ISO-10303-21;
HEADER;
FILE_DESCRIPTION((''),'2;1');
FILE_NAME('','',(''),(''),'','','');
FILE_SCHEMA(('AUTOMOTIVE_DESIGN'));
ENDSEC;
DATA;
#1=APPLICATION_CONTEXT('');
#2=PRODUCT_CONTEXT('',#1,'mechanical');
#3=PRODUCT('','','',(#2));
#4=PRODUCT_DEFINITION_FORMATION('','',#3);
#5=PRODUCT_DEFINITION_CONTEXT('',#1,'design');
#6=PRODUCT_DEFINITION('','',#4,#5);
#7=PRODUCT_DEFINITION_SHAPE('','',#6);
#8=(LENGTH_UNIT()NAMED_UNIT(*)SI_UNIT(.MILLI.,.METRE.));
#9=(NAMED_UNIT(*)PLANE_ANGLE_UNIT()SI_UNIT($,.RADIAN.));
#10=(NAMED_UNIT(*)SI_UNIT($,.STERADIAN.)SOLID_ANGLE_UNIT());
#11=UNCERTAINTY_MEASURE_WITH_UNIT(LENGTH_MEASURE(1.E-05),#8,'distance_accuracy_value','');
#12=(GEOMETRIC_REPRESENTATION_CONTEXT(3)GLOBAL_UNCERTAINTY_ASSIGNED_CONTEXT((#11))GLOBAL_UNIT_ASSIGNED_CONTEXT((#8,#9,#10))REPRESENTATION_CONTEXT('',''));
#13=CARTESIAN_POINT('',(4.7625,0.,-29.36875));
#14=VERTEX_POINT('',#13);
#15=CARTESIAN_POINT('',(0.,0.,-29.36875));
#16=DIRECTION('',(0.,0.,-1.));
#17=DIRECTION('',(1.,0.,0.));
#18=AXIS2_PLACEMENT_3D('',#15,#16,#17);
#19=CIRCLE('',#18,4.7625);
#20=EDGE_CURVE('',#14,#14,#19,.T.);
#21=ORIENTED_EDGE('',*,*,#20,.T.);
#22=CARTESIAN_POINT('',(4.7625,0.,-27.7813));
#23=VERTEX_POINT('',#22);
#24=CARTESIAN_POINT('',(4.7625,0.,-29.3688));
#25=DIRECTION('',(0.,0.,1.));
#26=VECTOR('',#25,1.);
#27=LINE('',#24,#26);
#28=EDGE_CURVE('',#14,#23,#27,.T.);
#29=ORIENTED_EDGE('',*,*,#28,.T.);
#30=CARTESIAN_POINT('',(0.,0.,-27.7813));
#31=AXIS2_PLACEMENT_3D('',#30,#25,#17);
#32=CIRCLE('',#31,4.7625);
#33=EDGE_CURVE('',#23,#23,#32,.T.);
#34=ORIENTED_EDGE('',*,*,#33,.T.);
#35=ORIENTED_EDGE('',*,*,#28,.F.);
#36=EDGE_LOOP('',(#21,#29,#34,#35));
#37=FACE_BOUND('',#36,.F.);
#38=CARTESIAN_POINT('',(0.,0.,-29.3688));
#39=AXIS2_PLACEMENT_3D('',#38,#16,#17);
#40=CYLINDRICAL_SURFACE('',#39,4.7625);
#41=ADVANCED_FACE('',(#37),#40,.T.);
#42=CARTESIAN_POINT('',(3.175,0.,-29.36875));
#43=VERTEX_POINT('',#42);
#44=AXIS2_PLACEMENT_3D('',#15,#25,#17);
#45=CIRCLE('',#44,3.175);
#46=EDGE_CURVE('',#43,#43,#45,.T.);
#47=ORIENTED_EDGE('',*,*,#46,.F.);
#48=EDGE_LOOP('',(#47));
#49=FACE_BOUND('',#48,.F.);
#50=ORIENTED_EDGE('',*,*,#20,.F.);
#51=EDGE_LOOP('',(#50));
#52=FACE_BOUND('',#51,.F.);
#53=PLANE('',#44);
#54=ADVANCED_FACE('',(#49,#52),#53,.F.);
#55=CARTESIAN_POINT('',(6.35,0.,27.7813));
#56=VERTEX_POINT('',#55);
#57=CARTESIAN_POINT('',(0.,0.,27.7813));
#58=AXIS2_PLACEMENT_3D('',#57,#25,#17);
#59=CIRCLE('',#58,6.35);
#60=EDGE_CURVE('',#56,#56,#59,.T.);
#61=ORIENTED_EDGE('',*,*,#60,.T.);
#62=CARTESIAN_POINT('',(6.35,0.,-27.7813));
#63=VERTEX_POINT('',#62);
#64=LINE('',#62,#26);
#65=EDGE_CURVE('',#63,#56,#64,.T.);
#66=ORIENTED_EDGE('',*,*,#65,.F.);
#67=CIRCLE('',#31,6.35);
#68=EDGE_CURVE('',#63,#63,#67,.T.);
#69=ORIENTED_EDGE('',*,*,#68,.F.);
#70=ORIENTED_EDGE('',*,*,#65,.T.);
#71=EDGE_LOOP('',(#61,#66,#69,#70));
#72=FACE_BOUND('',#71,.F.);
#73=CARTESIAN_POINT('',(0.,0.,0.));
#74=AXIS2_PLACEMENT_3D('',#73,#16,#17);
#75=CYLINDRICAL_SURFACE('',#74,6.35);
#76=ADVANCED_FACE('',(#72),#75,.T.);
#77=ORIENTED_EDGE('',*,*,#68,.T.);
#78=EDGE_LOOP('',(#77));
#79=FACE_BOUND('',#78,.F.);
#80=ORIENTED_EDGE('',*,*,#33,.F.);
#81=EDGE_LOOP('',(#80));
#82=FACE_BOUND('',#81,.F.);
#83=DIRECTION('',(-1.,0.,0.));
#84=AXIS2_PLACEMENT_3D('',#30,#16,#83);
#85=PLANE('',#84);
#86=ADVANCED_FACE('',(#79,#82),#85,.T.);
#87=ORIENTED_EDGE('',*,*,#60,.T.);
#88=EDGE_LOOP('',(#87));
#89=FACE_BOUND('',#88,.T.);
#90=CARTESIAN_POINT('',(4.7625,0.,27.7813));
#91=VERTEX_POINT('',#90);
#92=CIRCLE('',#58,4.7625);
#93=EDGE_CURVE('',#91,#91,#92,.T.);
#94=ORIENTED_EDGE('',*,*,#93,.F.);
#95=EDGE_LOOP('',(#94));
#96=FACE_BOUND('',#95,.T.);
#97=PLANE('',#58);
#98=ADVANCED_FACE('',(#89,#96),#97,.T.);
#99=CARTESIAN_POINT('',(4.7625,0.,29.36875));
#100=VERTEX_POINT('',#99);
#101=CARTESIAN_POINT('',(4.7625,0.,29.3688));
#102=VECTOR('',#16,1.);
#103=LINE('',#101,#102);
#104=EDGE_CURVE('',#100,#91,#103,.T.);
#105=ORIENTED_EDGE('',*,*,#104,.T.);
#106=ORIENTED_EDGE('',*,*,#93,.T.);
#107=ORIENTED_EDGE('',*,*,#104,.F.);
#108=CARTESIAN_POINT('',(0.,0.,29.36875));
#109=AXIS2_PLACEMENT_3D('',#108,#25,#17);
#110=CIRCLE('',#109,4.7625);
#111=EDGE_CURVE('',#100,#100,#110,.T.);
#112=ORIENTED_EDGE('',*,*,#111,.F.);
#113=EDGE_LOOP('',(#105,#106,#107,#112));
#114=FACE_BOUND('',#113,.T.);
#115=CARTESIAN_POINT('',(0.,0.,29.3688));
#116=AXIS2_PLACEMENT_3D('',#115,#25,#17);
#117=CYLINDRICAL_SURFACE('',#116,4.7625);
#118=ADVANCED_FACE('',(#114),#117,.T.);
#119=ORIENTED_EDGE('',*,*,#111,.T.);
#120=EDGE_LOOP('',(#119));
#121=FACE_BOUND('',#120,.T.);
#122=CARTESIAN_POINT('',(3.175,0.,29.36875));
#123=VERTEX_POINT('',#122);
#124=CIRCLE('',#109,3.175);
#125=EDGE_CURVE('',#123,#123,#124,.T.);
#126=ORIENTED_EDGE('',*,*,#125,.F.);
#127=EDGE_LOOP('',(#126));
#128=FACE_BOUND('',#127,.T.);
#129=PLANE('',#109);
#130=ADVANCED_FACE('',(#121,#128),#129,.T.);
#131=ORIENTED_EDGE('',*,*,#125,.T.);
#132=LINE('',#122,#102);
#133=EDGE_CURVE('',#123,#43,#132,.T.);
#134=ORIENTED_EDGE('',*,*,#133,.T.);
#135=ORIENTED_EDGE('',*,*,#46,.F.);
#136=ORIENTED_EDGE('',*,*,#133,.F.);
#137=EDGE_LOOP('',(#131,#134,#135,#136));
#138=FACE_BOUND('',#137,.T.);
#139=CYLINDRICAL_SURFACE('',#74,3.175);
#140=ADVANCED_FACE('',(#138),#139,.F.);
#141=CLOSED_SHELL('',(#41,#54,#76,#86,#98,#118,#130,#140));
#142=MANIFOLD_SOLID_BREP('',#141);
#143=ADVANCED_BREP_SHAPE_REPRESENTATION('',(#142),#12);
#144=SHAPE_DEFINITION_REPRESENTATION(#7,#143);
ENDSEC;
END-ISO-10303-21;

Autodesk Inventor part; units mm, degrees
ref_plane "YZ Plane" through (0, 0, 0) normal (1, 0, 0) x (0, 1, 0)
ref_plane "XZ Plane" through (0, 0, 0) normal (0, 1, 0) x (-1, 0, 0)
ref_plane "XY Plane" through (0, 0, 0) normal (0, 0, 1) x (1, 0, 0)
sketch "Sketch1" plane through (0, 0, 0) normal (0, 0, 1) x (1, 0, 0)
  circle A0 centre (0, 0) radius 6.35
  circle A1 centre (0, 0) radius 3.175
  dimension "d0" = 12.7
  dimension "d13" = 3.175
extrude "Base" add sketch "Sketch1" along normal mid plane 58.7375
sketch "Sketch4" plane through (0, 0, 29.3688) normal (0, 0, 1) x (1, 0, 0)
  circle A0 centre (0, 0) radius 6.35 projected
  circle A1 centre (0, 0) radius 4.7625
  dimension "d16" = 9.525
extrude "Extrusion4" cut sketch "Sketch4" against normal blind 1.5875
mirror "Mirror2" about plane through (0, 0, 0) normal (0, 0, 1) of "Extrusion4"
properties part number "gearbox_standoff" material "Aluminum-6061"
